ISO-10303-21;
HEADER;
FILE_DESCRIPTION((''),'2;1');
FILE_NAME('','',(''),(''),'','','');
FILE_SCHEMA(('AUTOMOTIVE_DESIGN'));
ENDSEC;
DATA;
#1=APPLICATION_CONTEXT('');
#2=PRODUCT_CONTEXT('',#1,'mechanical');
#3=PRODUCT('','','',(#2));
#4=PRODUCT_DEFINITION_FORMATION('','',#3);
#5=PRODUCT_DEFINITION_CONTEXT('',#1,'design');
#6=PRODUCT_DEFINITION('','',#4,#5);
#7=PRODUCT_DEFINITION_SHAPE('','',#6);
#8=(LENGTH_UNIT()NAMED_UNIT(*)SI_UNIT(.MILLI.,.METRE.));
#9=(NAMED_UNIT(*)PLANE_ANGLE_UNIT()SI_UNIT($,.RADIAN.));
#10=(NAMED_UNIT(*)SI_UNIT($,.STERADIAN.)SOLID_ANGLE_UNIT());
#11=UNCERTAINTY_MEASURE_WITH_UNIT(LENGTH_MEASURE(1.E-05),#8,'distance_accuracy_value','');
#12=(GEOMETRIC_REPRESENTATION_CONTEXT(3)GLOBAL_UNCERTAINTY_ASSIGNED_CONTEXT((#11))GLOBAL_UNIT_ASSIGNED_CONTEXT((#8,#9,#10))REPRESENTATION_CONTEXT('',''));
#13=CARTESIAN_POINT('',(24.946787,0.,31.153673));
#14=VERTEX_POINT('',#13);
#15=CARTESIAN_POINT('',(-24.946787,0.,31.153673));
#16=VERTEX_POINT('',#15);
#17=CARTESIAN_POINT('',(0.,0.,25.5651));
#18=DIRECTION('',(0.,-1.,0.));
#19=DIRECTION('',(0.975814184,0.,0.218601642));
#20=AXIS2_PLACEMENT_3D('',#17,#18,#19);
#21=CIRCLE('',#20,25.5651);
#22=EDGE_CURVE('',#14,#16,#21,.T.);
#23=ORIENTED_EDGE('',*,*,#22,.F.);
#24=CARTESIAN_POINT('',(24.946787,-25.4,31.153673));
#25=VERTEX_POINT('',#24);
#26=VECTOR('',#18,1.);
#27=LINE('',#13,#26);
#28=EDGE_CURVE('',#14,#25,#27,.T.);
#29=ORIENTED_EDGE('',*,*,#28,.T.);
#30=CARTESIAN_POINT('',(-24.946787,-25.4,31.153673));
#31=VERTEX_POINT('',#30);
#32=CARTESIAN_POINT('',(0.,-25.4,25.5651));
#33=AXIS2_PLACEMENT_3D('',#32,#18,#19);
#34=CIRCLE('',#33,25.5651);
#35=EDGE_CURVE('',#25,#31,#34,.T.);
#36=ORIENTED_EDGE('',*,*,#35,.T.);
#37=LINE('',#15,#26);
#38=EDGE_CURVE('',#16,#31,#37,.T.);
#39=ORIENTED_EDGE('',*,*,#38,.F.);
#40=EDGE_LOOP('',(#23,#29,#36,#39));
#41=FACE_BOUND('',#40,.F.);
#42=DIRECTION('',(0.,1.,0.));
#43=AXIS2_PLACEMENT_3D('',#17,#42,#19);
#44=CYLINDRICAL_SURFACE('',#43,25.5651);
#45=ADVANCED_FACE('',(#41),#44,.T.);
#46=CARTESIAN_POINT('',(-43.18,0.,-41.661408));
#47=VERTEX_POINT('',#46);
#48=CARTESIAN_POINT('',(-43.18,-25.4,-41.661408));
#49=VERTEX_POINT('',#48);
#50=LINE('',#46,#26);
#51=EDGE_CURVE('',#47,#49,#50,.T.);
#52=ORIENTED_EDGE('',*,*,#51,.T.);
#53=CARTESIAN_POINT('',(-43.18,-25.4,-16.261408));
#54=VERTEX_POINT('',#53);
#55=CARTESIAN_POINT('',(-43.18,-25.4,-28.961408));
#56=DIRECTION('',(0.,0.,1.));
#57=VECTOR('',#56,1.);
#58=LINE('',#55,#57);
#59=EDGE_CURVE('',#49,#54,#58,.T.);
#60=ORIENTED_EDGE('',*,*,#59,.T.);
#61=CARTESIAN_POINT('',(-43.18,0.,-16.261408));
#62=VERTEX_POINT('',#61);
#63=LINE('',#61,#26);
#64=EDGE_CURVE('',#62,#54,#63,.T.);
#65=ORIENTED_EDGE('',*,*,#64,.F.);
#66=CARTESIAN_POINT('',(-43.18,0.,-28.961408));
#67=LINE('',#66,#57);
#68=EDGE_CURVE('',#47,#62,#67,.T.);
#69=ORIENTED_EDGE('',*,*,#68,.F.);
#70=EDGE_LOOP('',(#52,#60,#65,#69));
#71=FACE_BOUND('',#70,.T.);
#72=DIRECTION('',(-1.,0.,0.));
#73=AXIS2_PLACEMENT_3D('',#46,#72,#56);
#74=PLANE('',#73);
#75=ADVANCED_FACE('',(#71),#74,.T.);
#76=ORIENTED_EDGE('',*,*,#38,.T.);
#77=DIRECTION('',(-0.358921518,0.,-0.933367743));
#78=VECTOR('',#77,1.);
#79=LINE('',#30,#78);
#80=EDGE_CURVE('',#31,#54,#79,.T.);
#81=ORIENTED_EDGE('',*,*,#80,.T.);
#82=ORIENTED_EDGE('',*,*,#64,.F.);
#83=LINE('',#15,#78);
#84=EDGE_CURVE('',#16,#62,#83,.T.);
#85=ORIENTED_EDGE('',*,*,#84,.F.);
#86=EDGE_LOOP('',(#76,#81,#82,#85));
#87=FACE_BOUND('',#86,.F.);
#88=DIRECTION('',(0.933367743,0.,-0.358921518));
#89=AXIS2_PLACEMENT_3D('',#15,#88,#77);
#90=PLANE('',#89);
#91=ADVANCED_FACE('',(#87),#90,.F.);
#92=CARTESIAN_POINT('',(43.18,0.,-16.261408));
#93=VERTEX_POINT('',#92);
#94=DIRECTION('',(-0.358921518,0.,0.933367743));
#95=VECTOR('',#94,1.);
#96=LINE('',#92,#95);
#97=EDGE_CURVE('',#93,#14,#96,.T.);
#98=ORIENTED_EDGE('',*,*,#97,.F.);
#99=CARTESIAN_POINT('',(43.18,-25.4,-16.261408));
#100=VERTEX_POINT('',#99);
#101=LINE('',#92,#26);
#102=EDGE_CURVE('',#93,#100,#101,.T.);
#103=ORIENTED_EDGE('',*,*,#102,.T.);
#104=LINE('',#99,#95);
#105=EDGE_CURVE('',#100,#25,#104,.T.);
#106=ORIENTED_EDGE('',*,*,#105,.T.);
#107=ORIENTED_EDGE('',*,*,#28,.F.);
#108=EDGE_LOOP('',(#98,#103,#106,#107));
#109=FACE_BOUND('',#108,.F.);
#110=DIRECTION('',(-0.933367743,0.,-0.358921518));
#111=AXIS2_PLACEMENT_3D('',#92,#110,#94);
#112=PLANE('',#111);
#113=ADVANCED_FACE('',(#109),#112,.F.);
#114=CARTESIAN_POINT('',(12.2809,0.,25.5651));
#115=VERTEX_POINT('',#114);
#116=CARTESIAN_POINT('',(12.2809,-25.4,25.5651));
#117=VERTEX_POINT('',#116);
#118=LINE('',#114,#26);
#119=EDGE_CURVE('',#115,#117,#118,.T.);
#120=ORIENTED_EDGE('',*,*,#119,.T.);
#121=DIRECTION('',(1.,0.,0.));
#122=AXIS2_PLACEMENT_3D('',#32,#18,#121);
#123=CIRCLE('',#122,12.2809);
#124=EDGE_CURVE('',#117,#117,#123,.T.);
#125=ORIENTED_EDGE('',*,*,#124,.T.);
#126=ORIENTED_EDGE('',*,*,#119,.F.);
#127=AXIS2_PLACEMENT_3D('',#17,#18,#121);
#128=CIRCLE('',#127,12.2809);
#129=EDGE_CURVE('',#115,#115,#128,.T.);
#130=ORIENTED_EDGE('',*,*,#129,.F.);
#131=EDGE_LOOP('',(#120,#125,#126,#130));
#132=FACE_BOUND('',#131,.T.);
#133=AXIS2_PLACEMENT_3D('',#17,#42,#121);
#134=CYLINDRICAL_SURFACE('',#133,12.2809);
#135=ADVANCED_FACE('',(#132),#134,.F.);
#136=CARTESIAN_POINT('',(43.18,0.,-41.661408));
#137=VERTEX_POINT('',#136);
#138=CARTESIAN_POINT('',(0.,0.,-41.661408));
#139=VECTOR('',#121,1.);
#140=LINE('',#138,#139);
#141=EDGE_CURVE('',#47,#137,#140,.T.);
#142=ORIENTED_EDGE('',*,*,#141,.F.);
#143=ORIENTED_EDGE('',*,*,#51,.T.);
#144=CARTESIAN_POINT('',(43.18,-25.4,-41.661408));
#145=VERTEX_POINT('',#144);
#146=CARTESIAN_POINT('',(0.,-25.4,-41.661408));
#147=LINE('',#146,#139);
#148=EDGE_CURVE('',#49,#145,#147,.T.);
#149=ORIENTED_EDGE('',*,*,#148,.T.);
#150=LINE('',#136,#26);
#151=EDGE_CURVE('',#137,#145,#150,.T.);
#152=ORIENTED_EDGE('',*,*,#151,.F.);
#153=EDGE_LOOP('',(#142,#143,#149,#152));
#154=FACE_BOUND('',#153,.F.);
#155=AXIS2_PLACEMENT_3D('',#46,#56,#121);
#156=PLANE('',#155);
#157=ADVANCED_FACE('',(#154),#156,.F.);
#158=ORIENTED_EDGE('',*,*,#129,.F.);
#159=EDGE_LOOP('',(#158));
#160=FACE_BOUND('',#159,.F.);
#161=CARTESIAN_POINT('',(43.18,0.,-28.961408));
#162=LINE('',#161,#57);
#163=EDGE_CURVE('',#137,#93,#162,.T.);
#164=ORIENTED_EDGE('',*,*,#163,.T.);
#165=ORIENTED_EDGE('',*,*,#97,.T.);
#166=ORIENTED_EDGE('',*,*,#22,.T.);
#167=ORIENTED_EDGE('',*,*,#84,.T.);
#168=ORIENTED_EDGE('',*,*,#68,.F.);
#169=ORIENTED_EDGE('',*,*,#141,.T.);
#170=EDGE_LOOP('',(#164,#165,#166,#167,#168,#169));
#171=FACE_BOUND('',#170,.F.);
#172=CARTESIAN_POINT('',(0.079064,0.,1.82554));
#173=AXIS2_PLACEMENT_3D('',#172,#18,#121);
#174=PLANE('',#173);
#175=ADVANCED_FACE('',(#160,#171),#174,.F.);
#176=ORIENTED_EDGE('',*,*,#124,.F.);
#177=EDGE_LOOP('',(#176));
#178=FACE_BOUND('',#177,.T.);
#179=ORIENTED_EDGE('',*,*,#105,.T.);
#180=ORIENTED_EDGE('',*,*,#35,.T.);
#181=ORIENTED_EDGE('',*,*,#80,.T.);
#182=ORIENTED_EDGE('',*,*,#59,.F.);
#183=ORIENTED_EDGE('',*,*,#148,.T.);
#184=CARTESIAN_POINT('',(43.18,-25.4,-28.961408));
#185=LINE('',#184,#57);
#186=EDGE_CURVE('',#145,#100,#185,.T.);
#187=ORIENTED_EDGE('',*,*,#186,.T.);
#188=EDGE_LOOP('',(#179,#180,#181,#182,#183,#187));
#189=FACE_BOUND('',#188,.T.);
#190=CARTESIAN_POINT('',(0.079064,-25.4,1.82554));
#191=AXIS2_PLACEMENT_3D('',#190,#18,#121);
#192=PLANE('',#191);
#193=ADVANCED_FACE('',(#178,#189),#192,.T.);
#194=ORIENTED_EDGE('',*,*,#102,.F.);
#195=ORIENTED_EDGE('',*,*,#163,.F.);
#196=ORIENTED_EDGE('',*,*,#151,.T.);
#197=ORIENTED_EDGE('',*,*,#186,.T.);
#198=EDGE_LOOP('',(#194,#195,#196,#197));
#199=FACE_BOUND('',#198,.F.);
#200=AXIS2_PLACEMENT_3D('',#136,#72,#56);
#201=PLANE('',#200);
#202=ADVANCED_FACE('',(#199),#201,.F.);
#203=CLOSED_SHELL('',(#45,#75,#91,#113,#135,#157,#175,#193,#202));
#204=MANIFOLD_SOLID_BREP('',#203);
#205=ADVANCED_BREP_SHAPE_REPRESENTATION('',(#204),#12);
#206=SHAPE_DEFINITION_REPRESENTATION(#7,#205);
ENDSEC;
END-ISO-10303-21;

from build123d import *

# Parameters (mm, degrees)
F0_W     = 86.36
F0_H     = 25.4
F0_R     = 12.2809
F1_DEPTH = 25.4


with BuildPart() as f1:
    # F0 (on Front) → F1 (new body)
    with BuildSketch(Plane.XZ):
        with BuildLine():
            ThreePointArc((24.946787, 31.153673), (25.410052, 28.376437), (25.5651, 25.5651))
            ThreePointArc((25.5651, 25.5651), (-2.811337, 0.155048), (-24.946787, 31.153673))
            Line((-24.946787, 31.153673), (-43.18, -16.261408))
            Line((-43.18, -16.261408), (43.18, -16.261408))
            Line((43.18, -16.261408), (24.946787, 31.153673))
        make_face()
        with Locations((0, -28.961408)):
            Rectangle(F0_W, F0_H)
        with BuildLine():
            ThreePointArc((-24.946787, 31.153673), (-2.811337, 0.155048), (25.5651, 25.5651))
            ThreePointArc((25.5651, 25.5651), (25.410052, 28.376437), (24.946787, 31.153673))
            ThreePointArc((24.946787, 31.153673), (0, 51.1302), (-24.946787, 31.153673))
        make_face()
        with Locations((0, 25.5651)):
            Circle(F0_R, mode=Mode.SUBTRACT)
    extrude(amount=F1_DEPTH)


solid = f1.part
